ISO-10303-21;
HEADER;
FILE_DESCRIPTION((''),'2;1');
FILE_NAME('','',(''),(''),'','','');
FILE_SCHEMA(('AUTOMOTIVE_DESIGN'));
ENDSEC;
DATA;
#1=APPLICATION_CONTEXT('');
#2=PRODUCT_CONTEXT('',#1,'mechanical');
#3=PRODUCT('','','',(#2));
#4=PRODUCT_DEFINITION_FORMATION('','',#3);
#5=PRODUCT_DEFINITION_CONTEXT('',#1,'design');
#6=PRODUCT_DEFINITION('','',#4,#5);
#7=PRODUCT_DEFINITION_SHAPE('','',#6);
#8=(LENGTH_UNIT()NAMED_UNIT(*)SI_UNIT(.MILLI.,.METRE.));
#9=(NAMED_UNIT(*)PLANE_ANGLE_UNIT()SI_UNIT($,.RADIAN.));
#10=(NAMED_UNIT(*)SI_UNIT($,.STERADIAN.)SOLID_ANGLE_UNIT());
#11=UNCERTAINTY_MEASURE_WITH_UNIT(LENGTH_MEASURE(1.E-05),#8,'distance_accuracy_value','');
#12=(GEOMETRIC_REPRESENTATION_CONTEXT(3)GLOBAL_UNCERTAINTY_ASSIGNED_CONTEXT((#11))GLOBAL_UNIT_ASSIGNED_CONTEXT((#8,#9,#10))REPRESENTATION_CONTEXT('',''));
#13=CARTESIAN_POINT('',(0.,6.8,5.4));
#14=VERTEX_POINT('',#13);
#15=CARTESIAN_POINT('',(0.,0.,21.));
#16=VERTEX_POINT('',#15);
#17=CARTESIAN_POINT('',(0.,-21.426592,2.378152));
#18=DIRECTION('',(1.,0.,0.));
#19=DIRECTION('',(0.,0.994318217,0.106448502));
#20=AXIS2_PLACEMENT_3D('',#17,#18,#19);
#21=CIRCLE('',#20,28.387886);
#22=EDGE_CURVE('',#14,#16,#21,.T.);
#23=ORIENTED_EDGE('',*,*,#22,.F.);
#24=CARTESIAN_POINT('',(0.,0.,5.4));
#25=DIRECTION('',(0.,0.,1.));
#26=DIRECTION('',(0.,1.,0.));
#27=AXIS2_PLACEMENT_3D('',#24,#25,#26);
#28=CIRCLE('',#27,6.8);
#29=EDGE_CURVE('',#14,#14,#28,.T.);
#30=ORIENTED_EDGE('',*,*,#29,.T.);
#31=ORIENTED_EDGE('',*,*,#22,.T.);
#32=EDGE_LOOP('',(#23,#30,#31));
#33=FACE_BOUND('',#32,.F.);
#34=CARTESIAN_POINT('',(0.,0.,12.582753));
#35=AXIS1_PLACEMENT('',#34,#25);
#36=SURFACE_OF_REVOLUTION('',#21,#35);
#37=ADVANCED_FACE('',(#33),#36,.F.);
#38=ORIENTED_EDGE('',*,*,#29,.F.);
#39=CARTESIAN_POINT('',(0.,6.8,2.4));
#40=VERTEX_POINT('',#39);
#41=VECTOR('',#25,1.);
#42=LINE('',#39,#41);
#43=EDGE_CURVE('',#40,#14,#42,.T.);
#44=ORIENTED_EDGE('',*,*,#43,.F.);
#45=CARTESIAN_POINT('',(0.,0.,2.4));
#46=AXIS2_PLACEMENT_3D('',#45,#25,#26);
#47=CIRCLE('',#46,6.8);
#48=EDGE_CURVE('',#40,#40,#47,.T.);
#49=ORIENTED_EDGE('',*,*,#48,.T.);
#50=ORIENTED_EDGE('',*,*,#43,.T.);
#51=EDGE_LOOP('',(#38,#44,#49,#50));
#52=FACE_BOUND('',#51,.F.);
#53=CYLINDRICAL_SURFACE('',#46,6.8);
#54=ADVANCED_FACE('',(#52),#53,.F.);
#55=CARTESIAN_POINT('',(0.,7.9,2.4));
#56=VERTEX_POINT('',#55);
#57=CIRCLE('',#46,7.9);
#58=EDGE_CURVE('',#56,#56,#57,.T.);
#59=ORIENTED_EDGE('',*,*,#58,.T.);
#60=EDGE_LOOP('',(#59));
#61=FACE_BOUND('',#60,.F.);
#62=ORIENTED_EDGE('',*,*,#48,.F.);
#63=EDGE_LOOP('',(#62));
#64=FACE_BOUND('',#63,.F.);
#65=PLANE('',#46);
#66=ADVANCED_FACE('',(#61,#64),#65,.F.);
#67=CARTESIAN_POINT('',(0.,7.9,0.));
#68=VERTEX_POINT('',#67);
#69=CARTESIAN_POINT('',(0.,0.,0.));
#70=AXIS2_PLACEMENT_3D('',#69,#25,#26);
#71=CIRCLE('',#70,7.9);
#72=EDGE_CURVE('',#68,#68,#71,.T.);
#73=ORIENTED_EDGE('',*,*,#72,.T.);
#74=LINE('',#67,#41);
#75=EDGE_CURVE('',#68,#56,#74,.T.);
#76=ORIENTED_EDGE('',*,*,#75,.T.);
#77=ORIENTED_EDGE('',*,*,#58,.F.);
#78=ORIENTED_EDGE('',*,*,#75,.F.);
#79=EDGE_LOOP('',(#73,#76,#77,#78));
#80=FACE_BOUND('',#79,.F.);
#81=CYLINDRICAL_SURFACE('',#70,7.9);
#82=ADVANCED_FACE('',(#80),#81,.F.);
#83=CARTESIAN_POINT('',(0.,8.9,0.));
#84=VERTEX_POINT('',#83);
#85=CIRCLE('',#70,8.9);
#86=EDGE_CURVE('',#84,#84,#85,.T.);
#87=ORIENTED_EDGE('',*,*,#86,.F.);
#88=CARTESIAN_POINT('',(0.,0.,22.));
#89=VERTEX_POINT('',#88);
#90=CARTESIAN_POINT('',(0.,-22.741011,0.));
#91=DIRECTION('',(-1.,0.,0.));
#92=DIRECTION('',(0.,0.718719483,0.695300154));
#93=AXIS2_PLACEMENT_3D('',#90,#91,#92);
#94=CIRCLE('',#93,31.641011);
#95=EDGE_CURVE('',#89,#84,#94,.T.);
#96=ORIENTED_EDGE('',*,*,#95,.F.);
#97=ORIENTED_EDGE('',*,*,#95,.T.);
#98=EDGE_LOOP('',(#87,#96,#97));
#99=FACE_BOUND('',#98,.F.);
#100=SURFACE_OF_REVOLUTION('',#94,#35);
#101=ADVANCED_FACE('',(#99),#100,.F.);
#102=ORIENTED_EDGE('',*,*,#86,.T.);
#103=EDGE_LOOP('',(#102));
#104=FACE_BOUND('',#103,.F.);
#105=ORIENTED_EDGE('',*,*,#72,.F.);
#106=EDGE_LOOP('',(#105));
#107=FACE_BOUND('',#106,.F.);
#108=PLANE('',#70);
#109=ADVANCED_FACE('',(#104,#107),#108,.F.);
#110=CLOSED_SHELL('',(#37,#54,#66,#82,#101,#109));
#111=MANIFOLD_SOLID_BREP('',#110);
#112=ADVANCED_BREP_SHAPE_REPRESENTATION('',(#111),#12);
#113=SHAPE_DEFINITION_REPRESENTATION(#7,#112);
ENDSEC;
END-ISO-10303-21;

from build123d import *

# Parameters (mm, degrees)
F3_ANGLE = 90


with BuildPart() as f1:
    # F0 (on Top) → F1 (revolve)
    with BuildSketch(Plane.XY):
        with BuildLine():
            Line((0, 8.9), (0, 7.9))
            Line((0, 7.9), (2.4, 7.9))
            Line((2.4, 7.9), (2.4, 6.8))
            Line((2.4, 6.8), (5.4, 6.8))
            ThreePointArc((5.4, 6.8), (13.721537482, 4.5964683411), (21, 0))
            Line((21, 0), (22, 0))
            ThreePointArc((22, 0), (11.8660229226, 6.5907308199), (0, 8.9))
        make_face()
    revolve(axis=Axis((12.5827532146, 0, 0), (1, 0, 0)))


with BuildPart() as f1_1:
    # F3: moved
    add(f1.part.rotate(Axis((0, 0, 0), (0, -1, 0)), F3_ANGLE))


solid = f1_1.part
